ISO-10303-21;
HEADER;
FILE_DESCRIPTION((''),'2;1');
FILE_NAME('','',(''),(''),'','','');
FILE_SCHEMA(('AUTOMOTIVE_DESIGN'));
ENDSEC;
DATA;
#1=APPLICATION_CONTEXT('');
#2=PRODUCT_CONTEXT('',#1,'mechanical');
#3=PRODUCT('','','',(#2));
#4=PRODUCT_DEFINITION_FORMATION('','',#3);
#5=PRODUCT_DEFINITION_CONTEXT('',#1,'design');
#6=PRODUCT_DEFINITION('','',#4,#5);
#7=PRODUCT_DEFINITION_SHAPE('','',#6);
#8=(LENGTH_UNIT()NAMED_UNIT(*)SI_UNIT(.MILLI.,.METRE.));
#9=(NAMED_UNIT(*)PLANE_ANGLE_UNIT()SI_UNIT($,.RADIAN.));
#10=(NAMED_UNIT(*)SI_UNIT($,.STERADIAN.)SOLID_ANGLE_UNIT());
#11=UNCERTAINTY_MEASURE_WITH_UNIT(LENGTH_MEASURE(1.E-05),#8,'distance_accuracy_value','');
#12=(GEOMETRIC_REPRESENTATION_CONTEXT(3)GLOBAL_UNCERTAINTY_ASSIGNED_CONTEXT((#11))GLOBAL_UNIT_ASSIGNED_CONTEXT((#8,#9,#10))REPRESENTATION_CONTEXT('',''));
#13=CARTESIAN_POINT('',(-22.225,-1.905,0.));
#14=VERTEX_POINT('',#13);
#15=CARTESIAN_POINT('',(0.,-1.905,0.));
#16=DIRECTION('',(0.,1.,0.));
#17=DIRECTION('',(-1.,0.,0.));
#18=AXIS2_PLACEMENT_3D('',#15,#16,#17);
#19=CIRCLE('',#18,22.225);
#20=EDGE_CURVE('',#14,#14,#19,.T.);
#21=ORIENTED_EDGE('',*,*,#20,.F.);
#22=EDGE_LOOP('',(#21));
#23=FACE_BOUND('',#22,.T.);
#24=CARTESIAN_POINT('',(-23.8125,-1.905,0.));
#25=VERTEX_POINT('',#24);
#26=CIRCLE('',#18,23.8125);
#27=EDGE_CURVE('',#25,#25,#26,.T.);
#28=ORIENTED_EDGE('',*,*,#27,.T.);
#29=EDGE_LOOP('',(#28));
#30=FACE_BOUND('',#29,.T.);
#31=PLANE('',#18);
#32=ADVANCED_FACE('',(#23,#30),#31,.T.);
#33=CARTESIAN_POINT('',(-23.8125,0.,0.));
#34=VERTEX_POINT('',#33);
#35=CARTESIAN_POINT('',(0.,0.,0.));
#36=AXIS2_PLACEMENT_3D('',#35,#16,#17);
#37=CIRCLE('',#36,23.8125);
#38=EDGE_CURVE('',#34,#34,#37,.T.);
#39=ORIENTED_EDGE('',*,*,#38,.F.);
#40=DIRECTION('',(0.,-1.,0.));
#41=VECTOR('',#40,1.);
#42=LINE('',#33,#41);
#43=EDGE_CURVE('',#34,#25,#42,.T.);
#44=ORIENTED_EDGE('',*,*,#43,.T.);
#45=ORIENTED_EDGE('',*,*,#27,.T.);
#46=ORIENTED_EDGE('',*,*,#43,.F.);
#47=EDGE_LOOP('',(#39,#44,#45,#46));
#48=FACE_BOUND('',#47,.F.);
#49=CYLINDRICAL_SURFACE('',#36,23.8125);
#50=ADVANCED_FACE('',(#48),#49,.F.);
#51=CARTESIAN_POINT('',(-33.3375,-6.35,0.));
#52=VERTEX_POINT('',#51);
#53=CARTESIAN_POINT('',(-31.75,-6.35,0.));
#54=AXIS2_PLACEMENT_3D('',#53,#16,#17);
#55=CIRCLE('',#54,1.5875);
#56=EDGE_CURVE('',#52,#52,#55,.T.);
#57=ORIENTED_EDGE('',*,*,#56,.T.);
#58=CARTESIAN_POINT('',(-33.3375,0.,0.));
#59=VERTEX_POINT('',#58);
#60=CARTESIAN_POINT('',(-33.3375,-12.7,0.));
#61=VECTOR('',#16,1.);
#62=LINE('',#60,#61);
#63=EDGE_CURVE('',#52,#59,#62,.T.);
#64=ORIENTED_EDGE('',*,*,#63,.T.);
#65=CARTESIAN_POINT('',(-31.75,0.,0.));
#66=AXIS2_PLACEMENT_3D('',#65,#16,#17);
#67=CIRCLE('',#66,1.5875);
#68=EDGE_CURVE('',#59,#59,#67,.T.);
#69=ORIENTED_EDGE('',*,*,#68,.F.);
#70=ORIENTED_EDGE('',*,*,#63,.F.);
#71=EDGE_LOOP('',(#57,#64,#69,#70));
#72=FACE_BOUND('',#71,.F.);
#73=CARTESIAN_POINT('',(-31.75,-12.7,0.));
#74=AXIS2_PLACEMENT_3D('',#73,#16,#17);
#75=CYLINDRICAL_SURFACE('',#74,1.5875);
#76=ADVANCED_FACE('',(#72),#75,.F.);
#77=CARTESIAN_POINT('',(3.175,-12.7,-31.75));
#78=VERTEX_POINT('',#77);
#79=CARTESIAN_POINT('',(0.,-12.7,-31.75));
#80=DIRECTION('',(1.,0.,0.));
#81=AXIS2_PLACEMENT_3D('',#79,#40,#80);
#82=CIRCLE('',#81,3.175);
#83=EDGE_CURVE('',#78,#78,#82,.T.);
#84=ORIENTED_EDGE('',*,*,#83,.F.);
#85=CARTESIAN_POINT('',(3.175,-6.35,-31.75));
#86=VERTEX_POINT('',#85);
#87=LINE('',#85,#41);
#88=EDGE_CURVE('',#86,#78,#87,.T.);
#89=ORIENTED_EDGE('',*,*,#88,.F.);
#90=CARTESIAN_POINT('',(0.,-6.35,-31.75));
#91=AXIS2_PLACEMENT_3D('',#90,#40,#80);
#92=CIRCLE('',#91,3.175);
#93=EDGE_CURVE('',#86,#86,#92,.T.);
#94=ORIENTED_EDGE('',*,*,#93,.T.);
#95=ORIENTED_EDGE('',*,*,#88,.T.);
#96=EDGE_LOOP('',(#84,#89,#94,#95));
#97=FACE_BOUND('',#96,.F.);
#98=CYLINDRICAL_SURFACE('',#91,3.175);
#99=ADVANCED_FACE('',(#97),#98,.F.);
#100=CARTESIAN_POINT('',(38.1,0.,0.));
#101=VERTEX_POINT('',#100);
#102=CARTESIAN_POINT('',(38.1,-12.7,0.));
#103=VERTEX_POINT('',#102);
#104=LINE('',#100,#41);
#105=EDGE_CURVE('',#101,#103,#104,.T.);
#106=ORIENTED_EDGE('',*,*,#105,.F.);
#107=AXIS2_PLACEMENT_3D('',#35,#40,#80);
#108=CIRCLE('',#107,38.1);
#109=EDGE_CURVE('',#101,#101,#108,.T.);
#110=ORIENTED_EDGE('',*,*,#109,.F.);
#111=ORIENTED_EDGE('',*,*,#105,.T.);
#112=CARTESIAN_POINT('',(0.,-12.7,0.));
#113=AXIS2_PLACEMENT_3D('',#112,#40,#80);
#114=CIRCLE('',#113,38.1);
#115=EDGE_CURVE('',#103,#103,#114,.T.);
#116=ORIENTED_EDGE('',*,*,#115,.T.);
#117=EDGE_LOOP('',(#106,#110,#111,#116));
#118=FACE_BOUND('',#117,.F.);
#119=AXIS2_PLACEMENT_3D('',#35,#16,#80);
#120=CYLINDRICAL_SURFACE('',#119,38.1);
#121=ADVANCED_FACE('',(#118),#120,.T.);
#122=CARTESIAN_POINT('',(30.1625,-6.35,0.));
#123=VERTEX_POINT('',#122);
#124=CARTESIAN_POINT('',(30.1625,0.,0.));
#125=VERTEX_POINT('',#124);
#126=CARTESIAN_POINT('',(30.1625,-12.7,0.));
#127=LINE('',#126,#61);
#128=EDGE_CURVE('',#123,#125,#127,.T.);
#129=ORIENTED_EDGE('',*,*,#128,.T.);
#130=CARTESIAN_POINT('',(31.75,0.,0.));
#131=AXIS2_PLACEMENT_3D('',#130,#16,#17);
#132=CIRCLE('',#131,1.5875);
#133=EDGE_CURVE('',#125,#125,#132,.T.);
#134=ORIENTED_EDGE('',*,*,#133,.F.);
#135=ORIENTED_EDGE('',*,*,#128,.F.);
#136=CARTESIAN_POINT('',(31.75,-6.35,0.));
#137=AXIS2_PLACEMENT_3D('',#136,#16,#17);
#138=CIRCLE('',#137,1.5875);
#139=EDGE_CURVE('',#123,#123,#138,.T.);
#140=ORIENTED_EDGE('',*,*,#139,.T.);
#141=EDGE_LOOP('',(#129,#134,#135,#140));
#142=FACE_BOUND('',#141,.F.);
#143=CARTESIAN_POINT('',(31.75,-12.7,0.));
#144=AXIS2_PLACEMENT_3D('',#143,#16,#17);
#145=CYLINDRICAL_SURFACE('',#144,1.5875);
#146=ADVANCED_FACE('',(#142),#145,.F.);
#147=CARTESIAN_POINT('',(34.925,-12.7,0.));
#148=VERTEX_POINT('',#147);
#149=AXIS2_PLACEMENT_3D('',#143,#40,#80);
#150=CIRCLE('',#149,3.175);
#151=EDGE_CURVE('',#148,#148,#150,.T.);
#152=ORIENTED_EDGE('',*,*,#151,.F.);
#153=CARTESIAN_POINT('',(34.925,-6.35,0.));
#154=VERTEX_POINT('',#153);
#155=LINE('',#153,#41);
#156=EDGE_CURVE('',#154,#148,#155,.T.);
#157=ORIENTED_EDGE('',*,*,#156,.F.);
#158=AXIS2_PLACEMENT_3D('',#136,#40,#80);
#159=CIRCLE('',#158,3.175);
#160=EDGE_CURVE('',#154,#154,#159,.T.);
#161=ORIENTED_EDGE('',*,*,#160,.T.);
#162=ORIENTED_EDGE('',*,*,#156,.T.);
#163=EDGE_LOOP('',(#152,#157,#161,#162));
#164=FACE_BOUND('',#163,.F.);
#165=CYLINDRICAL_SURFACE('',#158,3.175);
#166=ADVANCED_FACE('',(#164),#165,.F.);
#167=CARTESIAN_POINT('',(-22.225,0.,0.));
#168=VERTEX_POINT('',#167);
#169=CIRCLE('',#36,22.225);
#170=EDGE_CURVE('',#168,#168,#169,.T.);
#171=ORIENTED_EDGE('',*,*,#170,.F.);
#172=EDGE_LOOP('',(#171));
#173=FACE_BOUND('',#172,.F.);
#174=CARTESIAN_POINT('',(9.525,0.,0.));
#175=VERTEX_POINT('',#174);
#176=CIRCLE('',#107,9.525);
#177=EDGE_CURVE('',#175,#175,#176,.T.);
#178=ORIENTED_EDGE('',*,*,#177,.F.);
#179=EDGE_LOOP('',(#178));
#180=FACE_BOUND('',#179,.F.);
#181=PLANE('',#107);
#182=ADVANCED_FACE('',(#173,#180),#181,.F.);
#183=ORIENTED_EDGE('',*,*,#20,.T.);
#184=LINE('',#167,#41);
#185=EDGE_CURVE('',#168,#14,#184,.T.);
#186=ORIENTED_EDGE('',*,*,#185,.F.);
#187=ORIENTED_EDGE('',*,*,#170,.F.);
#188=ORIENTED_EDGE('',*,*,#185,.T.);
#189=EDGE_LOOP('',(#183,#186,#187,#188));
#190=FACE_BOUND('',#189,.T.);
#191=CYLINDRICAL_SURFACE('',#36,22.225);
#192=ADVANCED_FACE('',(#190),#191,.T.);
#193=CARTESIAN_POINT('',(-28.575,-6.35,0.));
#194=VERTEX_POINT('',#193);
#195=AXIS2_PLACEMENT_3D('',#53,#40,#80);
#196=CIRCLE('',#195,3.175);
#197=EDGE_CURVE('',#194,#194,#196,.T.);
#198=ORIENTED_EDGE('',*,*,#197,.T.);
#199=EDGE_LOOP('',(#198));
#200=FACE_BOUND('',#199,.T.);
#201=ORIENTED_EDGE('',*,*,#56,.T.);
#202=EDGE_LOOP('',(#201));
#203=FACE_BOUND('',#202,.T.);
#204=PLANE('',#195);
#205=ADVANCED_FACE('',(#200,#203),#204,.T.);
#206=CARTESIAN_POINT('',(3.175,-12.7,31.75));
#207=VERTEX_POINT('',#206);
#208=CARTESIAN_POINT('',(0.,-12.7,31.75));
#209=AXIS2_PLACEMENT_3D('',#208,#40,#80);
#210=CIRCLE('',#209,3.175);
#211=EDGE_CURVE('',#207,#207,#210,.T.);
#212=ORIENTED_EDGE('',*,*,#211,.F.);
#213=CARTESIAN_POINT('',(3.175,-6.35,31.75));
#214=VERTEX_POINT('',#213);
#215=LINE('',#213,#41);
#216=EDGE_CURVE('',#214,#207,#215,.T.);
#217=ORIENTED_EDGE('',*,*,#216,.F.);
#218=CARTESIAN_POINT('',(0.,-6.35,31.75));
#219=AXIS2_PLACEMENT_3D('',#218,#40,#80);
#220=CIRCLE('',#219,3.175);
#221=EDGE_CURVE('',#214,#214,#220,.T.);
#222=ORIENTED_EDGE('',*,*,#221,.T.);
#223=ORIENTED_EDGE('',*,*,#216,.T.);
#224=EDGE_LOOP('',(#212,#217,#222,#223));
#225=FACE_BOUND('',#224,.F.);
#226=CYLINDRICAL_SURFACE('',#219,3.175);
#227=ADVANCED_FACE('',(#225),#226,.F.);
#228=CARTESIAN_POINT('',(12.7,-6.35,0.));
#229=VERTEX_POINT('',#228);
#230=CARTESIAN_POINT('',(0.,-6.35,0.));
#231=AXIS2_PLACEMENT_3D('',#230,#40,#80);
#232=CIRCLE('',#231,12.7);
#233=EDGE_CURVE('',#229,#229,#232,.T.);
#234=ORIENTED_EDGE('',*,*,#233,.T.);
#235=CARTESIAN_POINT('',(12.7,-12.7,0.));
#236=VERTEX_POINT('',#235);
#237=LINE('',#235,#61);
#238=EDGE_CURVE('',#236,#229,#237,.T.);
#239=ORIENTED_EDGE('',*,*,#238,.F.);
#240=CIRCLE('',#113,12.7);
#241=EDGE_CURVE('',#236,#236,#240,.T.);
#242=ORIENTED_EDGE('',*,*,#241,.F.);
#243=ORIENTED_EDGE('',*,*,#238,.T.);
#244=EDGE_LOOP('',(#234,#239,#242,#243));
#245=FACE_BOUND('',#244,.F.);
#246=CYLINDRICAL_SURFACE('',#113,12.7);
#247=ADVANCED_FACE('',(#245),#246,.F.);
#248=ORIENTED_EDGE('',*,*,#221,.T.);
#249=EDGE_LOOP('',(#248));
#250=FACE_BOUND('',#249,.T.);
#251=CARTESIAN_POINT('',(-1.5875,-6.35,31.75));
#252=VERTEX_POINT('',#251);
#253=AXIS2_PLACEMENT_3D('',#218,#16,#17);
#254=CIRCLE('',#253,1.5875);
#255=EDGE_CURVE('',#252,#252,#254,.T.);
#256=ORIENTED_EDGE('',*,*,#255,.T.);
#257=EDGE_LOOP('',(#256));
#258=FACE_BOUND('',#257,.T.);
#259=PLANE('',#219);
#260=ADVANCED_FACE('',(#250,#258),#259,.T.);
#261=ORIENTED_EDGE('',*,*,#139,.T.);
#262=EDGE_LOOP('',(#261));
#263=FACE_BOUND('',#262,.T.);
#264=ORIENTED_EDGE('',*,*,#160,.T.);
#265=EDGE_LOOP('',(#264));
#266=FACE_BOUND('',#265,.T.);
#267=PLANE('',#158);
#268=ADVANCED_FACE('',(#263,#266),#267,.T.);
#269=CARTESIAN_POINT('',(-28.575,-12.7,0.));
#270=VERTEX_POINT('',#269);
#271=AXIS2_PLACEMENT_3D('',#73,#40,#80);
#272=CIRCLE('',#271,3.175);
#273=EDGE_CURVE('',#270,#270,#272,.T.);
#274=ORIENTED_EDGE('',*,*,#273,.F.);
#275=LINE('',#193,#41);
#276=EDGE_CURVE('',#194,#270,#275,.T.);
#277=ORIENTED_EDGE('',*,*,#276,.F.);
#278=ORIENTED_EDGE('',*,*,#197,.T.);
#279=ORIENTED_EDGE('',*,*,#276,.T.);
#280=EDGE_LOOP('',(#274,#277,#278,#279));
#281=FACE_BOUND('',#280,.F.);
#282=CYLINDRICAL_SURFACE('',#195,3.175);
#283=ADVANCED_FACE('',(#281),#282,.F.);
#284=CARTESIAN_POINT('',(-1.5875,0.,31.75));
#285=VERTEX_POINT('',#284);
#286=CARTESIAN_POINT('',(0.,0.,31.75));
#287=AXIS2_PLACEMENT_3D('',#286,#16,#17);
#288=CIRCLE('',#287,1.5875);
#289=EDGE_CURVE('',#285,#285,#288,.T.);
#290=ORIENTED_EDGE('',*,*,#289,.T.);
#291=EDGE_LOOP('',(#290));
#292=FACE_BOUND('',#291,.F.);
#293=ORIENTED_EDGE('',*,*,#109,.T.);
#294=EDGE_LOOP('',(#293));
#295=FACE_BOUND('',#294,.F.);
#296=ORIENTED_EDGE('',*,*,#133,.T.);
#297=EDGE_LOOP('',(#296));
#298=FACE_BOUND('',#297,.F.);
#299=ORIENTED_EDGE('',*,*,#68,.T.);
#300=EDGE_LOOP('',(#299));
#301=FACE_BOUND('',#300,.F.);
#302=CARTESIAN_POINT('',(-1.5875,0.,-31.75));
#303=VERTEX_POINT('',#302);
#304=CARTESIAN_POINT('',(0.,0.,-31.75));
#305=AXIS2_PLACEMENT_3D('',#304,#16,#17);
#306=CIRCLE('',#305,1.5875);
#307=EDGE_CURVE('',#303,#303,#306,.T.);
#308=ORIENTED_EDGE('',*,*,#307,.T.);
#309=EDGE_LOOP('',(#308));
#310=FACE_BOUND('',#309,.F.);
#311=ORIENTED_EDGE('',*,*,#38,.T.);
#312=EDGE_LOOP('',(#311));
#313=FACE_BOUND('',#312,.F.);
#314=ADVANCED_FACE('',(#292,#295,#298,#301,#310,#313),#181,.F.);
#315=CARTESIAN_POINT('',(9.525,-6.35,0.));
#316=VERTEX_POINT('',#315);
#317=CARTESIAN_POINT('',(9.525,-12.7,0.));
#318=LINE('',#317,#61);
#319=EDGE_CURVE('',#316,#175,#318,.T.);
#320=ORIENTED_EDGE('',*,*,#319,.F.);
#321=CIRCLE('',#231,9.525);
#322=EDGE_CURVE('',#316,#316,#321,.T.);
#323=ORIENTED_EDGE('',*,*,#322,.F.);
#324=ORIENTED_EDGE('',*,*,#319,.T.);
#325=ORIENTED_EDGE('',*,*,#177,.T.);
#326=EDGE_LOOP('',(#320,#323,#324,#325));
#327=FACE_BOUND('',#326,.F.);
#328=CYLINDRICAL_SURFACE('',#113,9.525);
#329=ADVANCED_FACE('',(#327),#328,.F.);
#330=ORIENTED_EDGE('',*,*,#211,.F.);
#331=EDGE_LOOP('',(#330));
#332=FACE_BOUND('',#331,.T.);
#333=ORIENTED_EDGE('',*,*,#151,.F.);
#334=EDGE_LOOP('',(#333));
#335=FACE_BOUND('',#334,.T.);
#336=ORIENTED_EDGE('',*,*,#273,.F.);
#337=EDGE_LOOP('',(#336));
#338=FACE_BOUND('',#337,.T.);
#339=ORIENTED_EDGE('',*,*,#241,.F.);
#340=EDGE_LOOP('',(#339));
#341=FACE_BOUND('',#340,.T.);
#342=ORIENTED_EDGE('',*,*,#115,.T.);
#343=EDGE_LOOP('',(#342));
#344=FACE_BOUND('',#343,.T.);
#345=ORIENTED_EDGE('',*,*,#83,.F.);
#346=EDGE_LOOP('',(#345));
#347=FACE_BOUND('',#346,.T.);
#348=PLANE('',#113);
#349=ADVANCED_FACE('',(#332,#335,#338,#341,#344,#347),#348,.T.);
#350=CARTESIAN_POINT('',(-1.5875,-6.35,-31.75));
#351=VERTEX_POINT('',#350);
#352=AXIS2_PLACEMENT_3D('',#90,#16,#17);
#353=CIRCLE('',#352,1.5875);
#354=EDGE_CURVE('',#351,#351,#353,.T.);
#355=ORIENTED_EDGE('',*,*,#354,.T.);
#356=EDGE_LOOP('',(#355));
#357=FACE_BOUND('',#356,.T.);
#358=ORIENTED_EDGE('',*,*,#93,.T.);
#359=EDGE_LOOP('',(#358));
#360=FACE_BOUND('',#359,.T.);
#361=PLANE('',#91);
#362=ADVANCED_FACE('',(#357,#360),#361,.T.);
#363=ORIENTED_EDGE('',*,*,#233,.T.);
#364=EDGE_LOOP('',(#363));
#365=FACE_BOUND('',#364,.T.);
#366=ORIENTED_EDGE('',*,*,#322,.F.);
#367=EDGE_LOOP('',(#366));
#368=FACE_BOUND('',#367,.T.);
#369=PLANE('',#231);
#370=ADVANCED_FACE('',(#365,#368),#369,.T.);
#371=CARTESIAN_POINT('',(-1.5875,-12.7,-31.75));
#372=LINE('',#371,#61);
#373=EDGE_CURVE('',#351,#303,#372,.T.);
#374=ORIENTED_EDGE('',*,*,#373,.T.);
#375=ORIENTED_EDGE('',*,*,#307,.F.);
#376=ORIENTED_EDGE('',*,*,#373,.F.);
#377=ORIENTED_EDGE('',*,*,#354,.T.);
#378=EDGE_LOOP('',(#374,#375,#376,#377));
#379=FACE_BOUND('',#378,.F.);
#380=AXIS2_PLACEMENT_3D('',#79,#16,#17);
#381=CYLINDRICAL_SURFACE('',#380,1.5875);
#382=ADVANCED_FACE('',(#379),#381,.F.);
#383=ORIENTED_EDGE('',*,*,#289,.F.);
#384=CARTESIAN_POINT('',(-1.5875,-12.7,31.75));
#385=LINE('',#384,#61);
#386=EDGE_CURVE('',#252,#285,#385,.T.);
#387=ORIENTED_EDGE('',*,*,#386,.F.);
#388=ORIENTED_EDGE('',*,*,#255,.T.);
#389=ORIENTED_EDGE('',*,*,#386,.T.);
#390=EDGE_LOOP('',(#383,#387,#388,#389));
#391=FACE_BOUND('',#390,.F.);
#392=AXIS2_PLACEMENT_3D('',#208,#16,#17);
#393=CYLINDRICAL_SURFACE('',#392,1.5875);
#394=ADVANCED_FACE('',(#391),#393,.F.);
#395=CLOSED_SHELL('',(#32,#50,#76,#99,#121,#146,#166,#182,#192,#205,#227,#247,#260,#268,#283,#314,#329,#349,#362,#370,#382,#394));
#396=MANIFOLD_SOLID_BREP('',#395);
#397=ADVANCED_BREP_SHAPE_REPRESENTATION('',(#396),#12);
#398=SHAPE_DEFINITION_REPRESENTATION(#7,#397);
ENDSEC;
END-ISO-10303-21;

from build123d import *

# Parameters (mm, degrees)
F0_R           = 38.1
F0_R_2         = 0.8751159205
F1_DEPTH       = 12.7
F2_R           = 9.525
F3_DEPTH       = 12.701
F4_R           = 12.7
F5_DEPTH       = 6.35
F7_D           = 3.175
F7_CBORE_D     = 6.35
F7_CBORE_DEPTH = 6.35
F8_R           = 23.8125
F8_R_2         = 22.225
F9_DEPTH       = 1.905


with BuildPart() as f1:
    # F0 (on Front) → F1 (new body)
    with BuildSketch(Plane.XZ):
        Circle(F0_R)
        with Locations((20.7111840319, 10.8808754866)):
            Circle(F0_R_2, mode=Mode.SUBTRACT)
        with Locations((20.7111840319, 10.8808754866)):
            Circle(F0_R_2)
    extrude(amount=F1_DEPTH)

    # F2 (on face) → F3 (cut, through all)
    with BuildSketch(Plane.XZ.offset(12.7)):
        Circle(F2_R)
    extrude(amount=-F3_DEPTH, mode=Mode.SUBTRACT)

    # F4 (on face) → F5 (cut)
    with BuildSketch(Plane.XZ.offset(12.7)):
        Circle(F4_R)
    extrude(amount=-F5_DEPTH, mode=Mode.SUBTRACT)

    # F7 (through all)
    with Locations(Plane.XZ.offset(12.7)):
        with Locations((0, 31.75), (31.75, 0), (0, -31.75), (-31.75, 0)):
            CounterBoreHole(F7_D / 2, F7_CBORE_D / 2, F7_CBORE_DEPTH)

    # F8 (on face) → F9 (cut)
    with BuildSketch(Plane(origin=(0, 0, 0), x_dir=(-1, 0, 0), z_dir=(0, 1, 0))):
        Circle(F8_R)
        Circle(F8_R_2, mode=Mode.SUBTRACT)
    extrude(amount=-F9_DEPTH, mode=Mode.SUBTRACT)


solid = f1.part
